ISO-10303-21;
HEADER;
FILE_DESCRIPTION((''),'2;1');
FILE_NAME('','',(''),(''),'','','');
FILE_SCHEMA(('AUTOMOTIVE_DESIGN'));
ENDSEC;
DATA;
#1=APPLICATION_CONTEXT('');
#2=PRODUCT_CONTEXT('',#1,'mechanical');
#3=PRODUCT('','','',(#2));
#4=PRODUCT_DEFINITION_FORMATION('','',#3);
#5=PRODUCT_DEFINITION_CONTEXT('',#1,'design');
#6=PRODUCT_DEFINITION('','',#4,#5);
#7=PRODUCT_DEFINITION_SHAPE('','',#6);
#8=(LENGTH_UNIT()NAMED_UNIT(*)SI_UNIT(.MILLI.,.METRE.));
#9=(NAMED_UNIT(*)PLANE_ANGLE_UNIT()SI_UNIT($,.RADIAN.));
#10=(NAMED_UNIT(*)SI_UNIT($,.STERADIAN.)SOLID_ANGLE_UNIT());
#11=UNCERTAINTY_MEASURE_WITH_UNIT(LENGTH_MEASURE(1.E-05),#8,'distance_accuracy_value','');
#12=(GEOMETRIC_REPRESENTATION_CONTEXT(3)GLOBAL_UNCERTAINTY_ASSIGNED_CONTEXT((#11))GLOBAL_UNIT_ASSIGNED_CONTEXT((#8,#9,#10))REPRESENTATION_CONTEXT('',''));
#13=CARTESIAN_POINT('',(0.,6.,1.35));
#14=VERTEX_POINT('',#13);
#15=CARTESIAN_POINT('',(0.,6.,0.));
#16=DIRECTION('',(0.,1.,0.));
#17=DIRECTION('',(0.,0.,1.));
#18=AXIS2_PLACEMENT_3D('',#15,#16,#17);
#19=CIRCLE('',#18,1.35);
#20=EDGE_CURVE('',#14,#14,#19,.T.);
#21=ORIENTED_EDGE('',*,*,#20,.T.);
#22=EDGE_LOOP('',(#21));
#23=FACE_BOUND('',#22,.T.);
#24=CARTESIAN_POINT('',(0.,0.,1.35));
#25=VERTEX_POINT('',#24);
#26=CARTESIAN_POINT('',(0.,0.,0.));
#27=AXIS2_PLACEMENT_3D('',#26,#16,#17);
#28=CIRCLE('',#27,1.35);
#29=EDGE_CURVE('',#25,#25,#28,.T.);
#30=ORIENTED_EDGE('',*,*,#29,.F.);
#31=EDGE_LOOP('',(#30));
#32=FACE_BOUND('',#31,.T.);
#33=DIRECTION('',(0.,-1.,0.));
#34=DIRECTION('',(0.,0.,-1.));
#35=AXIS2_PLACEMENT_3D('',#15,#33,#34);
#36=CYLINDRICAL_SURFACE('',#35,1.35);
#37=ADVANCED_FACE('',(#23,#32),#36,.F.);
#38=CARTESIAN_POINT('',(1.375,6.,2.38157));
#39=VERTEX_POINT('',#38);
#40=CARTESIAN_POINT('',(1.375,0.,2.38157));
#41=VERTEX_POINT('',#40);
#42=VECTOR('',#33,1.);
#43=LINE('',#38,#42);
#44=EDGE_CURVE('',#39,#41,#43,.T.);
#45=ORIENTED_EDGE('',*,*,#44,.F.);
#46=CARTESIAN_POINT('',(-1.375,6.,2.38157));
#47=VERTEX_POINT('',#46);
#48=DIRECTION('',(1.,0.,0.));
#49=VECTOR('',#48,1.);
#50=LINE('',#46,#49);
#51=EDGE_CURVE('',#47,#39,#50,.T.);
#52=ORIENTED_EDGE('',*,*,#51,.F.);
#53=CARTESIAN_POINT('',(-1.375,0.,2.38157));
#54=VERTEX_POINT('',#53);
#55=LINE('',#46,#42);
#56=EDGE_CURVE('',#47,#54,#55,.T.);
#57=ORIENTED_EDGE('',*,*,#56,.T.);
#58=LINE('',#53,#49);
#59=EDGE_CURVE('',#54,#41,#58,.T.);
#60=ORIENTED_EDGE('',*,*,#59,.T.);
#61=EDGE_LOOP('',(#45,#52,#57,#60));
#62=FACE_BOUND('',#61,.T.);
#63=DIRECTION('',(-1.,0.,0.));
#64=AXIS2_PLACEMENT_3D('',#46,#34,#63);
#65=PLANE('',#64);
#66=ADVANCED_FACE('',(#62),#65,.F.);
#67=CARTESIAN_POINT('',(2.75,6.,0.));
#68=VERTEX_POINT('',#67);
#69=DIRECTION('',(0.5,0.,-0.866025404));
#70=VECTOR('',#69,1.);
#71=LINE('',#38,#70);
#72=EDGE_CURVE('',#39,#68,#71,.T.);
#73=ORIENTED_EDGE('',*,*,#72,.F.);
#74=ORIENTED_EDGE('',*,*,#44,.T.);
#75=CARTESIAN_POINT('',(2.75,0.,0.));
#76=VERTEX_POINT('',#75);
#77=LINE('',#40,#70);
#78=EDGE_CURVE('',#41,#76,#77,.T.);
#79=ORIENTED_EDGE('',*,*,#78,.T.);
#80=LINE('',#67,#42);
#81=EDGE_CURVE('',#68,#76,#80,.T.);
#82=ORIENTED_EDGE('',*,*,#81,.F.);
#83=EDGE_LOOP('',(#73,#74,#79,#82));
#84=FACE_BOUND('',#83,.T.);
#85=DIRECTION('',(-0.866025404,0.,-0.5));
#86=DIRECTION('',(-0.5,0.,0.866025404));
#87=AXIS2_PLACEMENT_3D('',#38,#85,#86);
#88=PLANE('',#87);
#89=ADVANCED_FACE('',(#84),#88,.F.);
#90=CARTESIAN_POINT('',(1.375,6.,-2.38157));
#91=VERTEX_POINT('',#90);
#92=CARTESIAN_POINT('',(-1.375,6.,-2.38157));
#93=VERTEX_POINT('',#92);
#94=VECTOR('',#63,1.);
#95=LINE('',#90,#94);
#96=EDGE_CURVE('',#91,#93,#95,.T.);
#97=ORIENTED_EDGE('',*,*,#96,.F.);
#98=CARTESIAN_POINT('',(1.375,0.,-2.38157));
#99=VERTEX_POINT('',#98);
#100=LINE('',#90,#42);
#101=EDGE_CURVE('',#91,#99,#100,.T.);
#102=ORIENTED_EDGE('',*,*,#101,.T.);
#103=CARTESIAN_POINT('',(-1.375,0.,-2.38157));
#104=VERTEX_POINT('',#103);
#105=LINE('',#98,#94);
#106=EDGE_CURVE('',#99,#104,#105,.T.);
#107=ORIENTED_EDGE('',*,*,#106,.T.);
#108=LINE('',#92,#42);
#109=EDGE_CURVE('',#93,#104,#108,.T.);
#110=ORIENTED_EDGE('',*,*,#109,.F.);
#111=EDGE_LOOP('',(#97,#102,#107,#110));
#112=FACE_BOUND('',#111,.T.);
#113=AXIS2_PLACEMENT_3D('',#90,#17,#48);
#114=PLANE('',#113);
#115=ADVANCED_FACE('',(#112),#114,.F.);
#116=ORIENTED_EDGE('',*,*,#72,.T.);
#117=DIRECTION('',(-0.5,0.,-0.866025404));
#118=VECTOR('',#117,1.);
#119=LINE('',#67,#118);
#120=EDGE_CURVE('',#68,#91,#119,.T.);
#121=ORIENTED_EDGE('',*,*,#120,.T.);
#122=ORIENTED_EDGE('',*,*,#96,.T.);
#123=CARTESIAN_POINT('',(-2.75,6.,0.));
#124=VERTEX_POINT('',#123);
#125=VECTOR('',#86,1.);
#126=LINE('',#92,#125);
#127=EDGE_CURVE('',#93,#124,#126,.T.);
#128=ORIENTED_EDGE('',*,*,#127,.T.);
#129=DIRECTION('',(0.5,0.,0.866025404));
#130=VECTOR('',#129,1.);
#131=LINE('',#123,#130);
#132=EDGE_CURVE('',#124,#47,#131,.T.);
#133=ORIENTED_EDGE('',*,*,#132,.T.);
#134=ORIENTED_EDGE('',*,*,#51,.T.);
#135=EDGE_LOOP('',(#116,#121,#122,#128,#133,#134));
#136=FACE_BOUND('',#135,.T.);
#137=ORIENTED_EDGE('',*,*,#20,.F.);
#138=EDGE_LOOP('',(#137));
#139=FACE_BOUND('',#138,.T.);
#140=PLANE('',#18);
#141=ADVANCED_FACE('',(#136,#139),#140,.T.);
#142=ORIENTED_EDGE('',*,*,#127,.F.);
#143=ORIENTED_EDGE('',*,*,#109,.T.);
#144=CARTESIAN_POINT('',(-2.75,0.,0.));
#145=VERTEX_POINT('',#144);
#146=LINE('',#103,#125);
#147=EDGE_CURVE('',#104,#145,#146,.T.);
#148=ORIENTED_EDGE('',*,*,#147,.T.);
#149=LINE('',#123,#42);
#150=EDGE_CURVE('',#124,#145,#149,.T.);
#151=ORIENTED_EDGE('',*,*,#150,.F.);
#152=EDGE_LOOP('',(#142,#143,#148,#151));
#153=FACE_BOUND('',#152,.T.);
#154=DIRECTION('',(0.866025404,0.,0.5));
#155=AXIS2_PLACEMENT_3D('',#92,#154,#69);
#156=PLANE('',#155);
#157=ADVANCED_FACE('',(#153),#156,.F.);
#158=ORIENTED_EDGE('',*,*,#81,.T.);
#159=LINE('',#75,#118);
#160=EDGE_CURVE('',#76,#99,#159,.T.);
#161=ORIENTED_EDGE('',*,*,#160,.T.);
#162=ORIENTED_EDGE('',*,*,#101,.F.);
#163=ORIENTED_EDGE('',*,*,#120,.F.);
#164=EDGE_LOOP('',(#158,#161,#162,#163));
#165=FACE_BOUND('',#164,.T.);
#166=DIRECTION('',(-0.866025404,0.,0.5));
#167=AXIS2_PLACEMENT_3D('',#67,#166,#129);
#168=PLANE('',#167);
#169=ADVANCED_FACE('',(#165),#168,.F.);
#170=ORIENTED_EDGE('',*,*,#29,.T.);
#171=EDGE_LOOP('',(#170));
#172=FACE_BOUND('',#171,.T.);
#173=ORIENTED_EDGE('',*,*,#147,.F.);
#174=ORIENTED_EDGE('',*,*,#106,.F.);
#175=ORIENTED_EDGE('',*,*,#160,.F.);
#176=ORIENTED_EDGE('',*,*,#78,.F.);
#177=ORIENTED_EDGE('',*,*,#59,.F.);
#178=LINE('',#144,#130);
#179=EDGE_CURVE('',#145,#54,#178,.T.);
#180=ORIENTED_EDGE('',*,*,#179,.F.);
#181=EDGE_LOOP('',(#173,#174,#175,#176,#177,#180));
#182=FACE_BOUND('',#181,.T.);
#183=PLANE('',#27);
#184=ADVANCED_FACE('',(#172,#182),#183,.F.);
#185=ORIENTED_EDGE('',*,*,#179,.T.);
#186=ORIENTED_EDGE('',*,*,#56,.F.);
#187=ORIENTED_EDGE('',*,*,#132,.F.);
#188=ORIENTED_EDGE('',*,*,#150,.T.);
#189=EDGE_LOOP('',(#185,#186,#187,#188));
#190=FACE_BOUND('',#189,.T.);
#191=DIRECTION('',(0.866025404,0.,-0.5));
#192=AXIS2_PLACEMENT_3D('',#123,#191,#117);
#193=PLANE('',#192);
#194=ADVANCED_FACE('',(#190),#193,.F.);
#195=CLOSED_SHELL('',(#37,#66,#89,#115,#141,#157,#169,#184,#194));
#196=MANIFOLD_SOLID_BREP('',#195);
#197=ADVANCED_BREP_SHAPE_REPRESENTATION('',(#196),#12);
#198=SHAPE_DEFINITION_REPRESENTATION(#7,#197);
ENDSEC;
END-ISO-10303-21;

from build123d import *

# Parameters (mm, degrees)
SKETCH2_R           = 1.35
BOSS_EXTRUDE1_DEPTH = 6


with BuildPart() as part:
    # Sketch2 → Boss-Extrude1 (new body)
    with BuildSketch(Plane(origin=(0, 0, 0), x_dir=(1, 0, 0), z_dir=(0, 1, 0))):
        Polygon((2.75, 0), (1.375, 2.38156986), (-1.375, 2.38156986), (-2.75, 0), (-1.375, -2.38156986), (1.375, -2.38156986), align=None)
        Circle(SKETCH2_R, mode=Mode.SUBTRACT)
    extrude(amount=BOSS_EXTRUDE1_DEPTH)


solid = part.part
